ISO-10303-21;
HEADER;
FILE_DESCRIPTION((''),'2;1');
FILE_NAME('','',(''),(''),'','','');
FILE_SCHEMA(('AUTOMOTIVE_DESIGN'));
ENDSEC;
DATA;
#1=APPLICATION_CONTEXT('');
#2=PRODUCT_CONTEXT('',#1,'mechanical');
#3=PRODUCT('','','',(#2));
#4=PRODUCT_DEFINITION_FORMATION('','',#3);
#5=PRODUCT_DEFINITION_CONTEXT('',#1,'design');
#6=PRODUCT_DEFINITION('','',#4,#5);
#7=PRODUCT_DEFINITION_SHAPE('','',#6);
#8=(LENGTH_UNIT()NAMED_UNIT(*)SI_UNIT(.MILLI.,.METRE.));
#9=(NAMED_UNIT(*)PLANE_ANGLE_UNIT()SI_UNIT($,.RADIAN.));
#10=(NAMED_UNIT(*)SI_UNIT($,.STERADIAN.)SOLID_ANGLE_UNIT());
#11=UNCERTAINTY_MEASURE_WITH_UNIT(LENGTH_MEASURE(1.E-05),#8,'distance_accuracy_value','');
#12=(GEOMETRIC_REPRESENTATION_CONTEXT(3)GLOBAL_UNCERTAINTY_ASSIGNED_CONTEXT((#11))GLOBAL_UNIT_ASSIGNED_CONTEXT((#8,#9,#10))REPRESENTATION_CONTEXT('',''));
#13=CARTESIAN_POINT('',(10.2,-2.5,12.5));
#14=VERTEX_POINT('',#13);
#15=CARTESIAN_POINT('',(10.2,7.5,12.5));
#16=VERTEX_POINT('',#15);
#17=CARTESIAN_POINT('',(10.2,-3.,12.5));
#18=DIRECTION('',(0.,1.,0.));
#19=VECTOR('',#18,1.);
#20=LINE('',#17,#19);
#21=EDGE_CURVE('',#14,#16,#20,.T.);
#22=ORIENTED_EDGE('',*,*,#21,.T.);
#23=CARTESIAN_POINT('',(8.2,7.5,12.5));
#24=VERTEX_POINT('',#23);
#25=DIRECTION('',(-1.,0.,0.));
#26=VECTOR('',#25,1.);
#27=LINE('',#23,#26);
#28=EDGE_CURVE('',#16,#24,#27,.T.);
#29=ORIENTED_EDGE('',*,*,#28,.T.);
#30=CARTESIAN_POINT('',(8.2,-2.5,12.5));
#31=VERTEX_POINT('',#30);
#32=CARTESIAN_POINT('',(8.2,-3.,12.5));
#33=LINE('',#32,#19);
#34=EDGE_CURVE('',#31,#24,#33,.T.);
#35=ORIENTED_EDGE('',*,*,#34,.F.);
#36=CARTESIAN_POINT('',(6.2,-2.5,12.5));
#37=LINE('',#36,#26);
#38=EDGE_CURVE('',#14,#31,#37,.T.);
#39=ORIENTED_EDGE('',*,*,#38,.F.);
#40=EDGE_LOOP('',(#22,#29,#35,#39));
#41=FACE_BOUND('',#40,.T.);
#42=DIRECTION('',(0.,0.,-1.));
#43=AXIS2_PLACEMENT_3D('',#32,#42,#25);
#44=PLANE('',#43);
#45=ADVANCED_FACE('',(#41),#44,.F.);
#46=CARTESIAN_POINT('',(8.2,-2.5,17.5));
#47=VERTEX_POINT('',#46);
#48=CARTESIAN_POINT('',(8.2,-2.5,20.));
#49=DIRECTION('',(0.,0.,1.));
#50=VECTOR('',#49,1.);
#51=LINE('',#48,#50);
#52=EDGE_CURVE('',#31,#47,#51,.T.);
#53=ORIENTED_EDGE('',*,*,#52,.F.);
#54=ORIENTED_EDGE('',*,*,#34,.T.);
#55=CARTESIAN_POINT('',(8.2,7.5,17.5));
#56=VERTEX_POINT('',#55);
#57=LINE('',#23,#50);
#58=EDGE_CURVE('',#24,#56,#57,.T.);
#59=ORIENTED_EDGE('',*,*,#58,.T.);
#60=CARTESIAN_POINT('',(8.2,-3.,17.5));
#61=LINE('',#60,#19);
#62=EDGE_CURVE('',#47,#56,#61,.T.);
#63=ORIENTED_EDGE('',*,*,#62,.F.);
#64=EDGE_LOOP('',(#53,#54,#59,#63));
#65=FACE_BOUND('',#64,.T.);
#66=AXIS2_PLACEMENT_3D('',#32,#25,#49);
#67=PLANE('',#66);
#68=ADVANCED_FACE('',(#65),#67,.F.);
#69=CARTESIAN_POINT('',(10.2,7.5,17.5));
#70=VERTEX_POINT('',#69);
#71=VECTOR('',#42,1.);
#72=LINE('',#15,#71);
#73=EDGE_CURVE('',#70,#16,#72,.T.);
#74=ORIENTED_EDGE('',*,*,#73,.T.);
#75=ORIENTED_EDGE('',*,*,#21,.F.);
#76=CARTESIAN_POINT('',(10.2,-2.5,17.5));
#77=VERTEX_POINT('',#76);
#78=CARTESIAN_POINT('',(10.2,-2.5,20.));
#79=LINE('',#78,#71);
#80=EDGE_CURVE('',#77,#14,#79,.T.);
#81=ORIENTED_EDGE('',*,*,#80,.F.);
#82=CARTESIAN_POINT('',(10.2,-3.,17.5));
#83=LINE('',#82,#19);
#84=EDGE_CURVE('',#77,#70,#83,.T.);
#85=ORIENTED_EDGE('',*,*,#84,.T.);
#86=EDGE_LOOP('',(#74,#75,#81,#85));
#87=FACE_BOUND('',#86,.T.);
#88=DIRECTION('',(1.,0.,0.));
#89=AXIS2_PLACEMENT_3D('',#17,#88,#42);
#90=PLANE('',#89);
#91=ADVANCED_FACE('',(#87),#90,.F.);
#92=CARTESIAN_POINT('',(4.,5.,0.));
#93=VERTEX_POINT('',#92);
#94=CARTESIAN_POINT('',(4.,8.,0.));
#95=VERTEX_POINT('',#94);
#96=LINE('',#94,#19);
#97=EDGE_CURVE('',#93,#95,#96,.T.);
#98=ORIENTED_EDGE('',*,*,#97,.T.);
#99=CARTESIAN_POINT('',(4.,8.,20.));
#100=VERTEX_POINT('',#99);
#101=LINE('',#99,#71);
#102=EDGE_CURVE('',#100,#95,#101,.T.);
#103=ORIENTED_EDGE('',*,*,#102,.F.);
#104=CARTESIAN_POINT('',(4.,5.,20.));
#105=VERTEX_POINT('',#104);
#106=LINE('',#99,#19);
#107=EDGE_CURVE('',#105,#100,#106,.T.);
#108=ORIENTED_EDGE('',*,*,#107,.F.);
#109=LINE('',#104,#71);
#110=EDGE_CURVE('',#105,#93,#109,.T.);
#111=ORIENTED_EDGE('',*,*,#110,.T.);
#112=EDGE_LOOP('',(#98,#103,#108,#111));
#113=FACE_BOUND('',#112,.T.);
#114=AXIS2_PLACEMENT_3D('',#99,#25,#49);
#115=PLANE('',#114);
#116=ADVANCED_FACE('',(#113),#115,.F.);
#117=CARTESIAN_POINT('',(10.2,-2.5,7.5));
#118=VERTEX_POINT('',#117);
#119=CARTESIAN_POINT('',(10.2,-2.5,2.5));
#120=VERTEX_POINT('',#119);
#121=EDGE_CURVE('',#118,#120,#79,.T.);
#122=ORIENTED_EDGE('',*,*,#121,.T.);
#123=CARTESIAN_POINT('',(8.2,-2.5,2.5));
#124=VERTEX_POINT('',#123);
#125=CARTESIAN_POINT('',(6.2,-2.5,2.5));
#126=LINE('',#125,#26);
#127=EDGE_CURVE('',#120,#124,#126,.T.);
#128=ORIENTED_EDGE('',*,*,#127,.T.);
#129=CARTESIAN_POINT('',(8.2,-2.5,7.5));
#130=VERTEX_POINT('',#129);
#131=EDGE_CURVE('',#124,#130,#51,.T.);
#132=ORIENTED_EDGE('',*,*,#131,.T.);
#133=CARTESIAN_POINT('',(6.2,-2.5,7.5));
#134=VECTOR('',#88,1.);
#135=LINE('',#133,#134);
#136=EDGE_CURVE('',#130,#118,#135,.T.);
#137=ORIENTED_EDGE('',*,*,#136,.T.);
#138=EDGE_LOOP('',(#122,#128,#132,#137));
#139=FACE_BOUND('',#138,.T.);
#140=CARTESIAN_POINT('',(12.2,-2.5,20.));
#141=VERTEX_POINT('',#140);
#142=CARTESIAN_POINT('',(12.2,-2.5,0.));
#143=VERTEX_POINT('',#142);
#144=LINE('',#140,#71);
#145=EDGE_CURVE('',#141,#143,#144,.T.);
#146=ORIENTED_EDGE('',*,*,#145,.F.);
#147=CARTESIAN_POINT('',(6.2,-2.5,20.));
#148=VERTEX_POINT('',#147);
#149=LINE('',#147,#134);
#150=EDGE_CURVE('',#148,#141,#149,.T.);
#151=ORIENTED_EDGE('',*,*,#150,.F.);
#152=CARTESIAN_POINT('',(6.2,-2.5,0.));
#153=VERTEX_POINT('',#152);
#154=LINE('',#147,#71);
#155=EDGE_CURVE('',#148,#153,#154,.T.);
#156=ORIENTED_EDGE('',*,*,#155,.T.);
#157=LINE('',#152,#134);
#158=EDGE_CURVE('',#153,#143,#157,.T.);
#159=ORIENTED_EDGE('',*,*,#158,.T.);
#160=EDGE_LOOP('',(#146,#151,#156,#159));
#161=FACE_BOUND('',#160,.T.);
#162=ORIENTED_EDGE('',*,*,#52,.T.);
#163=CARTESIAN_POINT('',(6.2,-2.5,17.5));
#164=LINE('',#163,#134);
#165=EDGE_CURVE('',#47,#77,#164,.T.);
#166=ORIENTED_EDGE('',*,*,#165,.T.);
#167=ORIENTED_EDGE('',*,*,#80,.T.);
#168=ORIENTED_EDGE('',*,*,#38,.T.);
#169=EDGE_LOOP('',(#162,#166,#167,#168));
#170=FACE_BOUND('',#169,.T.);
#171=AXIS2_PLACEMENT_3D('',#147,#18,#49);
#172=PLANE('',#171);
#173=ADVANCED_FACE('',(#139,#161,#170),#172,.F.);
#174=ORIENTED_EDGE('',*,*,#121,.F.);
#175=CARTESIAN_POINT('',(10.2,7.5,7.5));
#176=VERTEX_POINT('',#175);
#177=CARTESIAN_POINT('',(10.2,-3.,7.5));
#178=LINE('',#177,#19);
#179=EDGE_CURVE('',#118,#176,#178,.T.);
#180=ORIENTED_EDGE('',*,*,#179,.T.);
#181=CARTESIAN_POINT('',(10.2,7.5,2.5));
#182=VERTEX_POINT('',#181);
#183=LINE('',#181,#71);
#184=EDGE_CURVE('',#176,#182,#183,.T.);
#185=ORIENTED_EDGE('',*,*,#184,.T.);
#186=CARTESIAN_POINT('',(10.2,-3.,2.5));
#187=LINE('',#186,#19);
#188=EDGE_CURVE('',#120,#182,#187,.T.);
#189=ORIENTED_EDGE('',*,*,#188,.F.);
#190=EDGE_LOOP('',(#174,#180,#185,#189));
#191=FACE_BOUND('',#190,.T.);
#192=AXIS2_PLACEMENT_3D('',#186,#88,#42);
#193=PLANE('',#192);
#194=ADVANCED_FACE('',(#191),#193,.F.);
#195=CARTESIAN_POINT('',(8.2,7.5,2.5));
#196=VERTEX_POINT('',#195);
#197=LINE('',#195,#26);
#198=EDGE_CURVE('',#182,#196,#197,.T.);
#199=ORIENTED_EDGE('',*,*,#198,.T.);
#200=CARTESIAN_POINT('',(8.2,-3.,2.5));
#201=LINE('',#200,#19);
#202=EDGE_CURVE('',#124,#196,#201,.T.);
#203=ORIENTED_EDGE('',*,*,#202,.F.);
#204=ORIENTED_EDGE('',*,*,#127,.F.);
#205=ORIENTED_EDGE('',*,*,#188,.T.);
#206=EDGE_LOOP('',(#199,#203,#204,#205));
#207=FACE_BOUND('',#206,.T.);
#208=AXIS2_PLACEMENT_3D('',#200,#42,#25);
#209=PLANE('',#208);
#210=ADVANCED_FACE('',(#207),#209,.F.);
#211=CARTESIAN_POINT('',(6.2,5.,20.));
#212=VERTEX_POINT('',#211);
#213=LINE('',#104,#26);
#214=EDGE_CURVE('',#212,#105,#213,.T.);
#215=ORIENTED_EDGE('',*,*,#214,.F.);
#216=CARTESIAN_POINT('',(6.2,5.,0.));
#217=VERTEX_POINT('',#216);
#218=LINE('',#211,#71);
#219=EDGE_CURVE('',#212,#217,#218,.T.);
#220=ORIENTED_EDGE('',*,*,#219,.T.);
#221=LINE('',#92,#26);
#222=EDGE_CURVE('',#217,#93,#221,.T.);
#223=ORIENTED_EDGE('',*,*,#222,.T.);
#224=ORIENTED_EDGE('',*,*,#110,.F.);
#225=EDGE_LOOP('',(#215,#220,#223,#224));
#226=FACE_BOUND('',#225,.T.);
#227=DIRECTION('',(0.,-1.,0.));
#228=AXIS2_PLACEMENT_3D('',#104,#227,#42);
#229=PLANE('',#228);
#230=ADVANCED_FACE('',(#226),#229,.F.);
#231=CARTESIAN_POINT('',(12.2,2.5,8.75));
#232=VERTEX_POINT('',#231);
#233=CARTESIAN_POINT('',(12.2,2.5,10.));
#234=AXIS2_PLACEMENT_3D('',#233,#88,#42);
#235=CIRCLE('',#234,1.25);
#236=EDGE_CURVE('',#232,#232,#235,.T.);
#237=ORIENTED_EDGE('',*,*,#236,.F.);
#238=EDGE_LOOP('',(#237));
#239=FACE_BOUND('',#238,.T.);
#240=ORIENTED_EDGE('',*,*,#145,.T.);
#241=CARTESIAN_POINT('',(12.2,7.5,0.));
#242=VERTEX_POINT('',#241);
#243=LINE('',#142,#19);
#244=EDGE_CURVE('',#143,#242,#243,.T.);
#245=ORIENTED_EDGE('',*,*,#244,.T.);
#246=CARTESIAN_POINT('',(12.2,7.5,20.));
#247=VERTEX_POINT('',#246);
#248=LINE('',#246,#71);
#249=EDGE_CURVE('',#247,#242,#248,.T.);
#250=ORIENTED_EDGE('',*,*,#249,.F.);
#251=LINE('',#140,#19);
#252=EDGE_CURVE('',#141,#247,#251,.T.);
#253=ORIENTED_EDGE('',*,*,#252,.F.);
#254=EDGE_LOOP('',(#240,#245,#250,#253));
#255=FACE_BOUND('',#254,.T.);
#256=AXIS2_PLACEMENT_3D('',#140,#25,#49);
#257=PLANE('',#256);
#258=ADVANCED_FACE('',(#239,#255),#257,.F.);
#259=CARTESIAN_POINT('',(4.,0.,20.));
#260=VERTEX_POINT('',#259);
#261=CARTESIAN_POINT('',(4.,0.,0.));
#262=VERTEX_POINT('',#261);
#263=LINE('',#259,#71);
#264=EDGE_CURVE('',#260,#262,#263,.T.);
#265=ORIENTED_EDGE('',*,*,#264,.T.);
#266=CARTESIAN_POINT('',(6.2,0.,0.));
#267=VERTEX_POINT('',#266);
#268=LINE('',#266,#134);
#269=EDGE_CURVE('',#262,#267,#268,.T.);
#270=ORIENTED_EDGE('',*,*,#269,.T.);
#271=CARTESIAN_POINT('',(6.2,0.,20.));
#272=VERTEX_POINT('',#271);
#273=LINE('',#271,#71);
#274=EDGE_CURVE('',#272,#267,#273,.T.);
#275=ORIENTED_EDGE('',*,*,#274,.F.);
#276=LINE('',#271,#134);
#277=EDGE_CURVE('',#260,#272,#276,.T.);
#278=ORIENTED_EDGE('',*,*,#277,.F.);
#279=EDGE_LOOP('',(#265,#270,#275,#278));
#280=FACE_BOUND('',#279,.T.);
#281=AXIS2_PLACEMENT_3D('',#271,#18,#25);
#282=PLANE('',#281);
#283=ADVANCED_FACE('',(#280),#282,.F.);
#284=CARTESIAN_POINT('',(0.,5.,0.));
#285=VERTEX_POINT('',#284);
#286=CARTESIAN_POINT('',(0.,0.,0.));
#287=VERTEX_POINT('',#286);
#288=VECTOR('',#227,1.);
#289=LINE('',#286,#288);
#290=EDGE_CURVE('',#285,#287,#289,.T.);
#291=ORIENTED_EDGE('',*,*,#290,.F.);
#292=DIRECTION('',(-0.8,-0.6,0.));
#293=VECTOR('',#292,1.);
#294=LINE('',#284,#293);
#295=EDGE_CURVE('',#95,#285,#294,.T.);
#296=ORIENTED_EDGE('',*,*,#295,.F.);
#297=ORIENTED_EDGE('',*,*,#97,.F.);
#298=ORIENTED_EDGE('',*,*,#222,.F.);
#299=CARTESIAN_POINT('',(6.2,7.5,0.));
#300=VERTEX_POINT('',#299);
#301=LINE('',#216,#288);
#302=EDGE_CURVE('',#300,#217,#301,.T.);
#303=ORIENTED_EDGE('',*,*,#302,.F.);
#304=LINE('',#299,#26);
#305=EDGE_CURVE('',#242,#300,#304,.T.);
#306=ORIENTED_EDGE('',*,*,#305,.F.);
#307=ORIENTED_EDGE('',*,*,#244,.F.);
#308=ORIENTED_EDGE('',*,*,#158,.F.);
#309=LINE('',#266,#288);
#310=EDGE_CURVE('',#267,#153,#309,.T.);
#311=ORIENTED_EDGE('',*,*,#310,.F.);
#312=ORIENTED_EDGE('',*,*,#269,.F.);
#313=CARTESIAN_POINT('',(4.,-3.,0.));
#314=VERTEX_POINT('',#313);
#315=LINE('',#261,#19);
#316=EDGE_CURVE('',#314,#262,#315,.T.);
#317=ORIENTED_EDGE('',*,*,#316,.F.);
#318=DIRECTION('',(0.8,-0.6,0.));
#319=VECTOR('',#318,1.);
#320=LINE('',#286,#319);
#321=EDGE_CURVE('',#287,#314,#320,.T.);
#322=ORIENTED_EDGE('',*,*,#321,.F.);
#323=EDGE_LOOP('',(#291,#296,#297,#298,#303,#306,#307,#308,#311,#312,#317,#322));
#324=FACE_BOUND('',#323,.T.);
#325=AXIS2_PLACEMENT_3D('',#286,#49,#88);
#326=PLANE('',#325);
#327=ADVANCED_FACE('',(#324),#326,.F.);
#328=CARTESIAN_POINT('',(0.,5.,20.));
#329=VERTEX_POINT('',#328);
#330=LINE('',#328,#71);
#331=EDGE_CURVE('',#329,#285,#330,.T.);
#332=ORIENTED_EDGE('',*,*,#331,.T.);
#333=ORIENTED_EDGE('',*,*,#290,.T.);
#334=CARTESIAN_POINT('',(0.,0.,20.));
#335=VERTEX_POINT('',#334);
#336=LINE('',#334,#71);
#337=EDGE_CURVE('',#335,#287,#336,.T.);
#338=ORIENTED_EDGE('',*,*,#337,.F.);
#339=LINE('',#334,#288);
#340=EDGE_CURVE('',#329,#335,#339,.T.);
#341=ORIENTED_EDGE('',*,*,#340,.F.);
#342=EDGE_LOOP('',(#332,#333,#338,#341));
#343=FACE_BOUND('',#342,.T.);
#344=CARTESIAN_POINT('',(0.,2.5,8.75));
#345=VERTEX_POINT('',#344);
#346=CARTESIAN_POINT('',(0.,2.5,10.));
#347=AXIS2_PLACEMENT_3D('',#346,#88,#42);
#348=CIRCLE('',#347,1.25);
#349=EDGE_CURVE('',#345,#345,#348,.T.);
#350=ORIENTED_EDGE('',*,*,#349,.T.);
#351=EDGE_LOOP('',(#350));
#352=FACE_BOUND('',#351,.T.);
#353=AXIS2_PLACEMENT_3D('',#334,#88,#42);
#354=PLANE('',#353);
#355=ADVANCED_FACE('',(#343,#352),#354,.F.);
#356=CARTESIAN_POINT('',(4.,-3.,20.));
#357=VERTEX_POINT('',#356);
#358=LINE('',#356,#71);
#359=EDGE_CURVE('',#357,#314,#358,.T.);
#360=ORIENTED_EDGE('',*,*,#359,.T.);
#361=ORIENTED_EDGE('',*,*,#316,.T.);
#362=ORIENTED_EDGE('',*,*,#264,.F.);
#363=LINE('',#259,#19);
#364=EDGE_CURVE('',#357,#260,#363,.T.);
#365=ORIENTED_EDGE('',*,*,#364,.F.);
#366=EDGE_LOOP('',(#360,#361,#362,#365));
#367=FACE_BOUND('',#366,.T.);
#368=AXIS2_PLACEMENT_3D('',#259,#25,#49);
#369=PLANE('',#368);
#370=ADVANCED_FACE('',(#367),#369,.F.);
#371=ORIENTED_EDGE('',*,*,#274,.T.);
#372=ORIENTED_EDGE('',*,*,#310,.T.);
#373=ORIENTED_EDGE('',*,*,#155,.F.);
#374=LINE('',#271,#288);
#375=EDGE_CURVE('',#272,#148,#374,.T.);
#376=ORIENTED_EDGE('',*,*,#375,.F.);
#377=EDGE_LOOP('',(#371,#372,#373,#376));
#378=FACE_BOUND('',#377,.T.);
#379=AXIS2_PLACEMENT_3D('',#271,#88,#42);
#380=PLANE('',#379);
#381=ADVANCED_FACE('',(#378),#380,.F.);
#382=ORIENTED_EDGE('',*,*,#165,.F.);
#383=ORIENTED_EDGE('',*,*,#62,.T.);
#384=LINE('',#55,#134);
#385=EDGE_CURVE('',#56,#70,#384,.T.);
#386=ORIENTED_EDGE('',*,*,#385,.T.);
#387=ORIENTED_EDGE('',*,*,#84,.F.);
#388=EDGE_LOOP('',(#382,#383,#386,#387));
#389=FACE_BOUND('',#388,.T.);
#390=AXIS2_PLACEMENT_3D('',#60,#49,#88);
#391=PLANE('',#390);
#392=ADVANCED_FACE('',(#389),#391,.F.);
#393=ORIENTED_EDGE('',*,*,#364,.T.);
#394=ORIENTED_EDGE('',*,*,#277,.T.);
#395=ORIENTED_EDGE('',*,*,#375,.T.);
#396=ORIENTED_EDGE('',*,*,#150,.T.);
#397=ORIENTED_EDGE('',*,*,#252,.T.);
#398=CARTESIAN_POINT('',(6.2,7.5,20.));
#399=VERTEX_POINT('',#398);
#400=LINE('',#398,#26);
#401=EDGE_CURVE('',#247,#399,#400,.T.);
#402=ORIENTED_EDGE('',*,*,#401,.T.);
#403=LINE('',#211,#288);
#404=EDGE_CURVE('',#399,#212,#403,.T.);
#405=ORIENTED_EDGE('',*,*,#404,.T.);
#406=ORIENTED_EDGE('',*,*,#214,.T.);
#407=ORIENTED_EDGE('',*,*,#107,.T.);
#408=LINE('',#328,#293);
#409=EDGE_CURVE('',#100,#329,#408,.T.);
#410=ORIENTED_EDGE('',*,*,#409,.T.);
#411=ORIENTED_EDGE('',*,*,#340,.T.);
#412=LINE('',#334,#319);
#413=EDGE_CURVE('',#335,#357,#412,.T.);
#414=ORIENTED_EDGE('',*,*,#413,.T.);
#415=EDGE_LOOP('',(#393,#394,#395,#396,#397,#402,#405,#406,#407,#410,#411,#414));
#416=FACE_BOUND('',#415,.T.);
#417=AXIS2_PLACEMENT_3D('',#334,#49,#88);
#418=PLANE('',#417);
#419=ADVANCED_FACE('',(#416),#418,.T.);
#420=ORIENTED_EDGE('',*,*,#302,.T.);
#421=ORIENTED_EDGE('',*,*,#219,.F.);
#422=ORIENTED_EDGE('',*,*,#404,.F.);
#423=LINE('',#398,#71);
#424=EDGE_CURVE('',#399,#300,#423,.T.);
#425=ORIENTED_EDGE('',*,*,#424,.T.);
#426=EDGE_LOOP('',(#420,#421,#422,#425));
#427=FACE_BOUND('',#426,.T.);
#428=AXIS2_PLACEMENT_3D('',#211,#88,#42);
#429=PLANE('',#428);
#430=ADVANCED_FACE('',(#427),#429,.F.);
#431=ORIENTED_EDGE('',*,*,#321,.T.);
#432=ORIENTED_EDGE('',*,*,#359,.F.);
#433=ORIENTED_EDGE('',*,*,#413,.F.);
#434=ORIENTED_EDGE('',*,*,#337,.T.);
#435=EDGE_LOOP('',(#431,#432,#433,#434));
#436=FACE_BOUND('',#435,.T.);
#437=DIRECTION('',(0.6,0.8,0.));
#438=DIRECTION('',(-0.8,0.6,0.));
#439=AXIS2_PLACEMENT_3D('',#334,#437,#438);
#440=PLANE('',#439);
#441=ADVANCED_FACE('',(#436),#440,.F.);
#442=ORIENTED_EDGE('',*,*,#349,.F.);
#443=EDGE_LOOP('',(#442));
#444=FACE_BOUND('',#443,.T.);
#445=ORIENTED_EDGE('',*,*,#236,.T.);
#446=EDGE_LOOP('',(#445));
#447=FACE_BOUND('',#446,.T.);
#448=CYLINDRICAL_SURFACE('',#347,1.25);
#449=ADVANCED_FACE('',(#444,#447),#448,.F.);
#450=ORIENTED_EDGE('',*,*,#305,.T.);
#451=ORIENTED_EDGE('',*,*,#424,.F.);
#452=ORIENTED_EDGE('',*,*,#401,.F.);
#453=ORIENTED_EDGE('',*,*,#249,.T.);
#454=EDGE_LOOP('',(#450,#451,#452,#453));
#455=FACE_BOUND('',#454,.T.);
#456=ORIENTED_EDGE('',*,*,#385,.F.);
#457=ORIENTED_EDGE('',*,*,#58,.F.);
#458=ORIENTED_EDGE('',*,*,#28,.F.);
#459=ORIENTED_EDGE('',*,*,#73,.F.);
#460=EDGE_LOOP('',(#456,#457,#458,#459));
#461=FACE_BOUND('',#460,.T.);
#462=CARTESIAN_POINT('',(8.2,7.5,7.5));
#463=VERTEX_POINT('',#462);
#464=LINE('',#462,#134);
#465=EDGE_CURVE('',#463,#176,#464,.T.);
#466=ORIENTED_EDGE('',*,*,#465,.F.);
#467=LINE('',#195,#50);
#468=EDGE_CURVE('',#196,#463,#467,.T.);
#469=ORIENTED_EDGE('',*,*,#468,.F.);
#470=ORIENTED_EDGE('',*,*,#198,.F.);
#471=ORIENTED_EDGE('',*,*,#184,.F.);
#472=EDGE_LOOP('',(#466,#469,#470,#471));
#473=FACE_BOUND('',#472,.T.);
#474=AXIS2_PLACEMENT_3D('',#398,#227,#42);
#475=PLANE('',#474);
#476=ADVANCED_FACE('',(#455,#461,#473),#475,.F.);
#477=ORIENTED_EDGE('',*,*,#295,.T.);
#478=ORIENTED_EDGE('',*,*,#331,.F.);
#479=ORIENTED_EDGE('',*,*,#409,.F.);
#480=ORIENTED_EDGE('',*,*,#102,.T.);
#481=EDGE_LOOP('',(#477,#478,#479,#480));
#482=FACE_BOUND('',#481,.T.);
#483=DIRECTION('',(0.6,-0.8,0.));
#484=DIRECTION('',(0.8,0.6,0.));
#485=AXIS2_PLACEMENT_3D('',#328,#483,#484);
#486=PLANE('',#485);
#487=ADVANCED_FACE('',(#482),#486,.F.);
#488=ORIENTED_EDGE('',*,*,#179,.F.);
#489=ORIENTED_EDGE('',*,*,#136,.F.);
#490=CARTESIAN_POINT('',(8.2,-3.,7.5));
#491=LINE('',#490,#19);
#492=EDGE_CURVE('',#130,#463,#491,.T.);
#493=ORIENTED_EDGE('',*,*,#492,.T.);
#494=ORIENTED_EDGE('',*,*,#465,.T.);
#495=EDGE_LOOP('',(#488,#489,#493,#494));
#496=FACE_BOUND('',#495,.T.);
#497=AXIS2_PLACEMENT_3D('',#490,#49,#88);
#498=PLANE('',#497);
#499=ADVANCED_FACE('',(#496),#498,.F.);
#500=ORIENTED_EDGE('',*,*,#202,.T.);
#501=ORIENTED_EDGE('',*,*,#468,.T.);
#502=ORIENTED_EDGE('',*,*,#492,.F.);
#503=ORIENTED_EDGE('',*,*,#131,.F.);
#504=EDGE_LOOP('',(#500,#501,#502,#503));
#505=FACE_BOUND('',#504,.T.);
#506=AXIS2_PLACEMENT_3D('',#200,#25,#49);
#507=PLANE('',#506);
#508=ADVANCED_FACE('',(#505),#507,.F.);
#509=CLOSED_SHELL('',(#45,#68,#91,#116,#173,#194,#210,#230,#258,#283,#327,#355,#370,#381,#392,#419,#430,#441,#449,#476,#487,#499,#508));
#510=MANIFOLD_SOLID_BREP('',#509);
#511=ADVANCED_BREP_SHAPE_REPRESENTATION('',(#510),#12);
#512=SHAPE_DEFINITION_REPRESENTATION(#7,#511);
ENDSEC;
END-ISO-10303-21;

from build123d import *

# Parameters (mm, degrees)
BOSS_EXTRU_1_DEPTH      = 20
ESQUISSE1_R             = 1.25
ENL_V_MAT_EXTRU_1_DEPTH = 13.2
ESQUISSE2_W             = 2
ESQUISSE2_H             = 5
ENL_V_MAT_EXTRU_2_DEPTH = 11.5


with BuildPart() as part:
    # ProfileRainureEsquisse → Boss.-Extru.1 (new body)
    with BuildSketch(Plane.XY):
        Polygon((0, 0), (0, 5), (4, 8), (4, 5), (6.2, 5), (6.2, 7.5), (12.2, 7.5), (12.2, -2.5), (6.2, -2.5), (6.2, 0), (4, 0), (4, -3), align=None)
    extrude(amount=BOSS_EXTRU_1_DEPTH)

    # Esquisse1 → Enlèv. mat.-Extru.1 (cut, through all)
    with BuildSketch(Plane(origin=(12.2, 0, 0), x_dir=(0, 0, -1), z_dir=(1, 0, 0))):
        with Locations((-10, 2.5)):
            Circle(ESQUISSE1_R)
    extrude(amount=-ENL_V_MAT_EXTRU_1_DEPTH, mode=Mode.SUBTRACT)

    # Esquisse2 → Enlèv. mat.-Extru.2 (cut, through all)
    with BuildSketch(Plane(origin=(0, 7.5, 0), x_dir=(1, 0, 0), z_dir=(0, 1, 0))):
        with Locations((9.2, -15)):
            Rectangle(ESQUISSE2_W, ESQUISSE2_H)
        with Locations((9.2, -5)):
            Rectangle(ESQUISSE2_W, ESQUISSE2_H)
    extrude(amount=-ENL_V_MAT_EXTRU_2_DEPTH, mode=Mode.SUBTRACT)


solid = part.part
